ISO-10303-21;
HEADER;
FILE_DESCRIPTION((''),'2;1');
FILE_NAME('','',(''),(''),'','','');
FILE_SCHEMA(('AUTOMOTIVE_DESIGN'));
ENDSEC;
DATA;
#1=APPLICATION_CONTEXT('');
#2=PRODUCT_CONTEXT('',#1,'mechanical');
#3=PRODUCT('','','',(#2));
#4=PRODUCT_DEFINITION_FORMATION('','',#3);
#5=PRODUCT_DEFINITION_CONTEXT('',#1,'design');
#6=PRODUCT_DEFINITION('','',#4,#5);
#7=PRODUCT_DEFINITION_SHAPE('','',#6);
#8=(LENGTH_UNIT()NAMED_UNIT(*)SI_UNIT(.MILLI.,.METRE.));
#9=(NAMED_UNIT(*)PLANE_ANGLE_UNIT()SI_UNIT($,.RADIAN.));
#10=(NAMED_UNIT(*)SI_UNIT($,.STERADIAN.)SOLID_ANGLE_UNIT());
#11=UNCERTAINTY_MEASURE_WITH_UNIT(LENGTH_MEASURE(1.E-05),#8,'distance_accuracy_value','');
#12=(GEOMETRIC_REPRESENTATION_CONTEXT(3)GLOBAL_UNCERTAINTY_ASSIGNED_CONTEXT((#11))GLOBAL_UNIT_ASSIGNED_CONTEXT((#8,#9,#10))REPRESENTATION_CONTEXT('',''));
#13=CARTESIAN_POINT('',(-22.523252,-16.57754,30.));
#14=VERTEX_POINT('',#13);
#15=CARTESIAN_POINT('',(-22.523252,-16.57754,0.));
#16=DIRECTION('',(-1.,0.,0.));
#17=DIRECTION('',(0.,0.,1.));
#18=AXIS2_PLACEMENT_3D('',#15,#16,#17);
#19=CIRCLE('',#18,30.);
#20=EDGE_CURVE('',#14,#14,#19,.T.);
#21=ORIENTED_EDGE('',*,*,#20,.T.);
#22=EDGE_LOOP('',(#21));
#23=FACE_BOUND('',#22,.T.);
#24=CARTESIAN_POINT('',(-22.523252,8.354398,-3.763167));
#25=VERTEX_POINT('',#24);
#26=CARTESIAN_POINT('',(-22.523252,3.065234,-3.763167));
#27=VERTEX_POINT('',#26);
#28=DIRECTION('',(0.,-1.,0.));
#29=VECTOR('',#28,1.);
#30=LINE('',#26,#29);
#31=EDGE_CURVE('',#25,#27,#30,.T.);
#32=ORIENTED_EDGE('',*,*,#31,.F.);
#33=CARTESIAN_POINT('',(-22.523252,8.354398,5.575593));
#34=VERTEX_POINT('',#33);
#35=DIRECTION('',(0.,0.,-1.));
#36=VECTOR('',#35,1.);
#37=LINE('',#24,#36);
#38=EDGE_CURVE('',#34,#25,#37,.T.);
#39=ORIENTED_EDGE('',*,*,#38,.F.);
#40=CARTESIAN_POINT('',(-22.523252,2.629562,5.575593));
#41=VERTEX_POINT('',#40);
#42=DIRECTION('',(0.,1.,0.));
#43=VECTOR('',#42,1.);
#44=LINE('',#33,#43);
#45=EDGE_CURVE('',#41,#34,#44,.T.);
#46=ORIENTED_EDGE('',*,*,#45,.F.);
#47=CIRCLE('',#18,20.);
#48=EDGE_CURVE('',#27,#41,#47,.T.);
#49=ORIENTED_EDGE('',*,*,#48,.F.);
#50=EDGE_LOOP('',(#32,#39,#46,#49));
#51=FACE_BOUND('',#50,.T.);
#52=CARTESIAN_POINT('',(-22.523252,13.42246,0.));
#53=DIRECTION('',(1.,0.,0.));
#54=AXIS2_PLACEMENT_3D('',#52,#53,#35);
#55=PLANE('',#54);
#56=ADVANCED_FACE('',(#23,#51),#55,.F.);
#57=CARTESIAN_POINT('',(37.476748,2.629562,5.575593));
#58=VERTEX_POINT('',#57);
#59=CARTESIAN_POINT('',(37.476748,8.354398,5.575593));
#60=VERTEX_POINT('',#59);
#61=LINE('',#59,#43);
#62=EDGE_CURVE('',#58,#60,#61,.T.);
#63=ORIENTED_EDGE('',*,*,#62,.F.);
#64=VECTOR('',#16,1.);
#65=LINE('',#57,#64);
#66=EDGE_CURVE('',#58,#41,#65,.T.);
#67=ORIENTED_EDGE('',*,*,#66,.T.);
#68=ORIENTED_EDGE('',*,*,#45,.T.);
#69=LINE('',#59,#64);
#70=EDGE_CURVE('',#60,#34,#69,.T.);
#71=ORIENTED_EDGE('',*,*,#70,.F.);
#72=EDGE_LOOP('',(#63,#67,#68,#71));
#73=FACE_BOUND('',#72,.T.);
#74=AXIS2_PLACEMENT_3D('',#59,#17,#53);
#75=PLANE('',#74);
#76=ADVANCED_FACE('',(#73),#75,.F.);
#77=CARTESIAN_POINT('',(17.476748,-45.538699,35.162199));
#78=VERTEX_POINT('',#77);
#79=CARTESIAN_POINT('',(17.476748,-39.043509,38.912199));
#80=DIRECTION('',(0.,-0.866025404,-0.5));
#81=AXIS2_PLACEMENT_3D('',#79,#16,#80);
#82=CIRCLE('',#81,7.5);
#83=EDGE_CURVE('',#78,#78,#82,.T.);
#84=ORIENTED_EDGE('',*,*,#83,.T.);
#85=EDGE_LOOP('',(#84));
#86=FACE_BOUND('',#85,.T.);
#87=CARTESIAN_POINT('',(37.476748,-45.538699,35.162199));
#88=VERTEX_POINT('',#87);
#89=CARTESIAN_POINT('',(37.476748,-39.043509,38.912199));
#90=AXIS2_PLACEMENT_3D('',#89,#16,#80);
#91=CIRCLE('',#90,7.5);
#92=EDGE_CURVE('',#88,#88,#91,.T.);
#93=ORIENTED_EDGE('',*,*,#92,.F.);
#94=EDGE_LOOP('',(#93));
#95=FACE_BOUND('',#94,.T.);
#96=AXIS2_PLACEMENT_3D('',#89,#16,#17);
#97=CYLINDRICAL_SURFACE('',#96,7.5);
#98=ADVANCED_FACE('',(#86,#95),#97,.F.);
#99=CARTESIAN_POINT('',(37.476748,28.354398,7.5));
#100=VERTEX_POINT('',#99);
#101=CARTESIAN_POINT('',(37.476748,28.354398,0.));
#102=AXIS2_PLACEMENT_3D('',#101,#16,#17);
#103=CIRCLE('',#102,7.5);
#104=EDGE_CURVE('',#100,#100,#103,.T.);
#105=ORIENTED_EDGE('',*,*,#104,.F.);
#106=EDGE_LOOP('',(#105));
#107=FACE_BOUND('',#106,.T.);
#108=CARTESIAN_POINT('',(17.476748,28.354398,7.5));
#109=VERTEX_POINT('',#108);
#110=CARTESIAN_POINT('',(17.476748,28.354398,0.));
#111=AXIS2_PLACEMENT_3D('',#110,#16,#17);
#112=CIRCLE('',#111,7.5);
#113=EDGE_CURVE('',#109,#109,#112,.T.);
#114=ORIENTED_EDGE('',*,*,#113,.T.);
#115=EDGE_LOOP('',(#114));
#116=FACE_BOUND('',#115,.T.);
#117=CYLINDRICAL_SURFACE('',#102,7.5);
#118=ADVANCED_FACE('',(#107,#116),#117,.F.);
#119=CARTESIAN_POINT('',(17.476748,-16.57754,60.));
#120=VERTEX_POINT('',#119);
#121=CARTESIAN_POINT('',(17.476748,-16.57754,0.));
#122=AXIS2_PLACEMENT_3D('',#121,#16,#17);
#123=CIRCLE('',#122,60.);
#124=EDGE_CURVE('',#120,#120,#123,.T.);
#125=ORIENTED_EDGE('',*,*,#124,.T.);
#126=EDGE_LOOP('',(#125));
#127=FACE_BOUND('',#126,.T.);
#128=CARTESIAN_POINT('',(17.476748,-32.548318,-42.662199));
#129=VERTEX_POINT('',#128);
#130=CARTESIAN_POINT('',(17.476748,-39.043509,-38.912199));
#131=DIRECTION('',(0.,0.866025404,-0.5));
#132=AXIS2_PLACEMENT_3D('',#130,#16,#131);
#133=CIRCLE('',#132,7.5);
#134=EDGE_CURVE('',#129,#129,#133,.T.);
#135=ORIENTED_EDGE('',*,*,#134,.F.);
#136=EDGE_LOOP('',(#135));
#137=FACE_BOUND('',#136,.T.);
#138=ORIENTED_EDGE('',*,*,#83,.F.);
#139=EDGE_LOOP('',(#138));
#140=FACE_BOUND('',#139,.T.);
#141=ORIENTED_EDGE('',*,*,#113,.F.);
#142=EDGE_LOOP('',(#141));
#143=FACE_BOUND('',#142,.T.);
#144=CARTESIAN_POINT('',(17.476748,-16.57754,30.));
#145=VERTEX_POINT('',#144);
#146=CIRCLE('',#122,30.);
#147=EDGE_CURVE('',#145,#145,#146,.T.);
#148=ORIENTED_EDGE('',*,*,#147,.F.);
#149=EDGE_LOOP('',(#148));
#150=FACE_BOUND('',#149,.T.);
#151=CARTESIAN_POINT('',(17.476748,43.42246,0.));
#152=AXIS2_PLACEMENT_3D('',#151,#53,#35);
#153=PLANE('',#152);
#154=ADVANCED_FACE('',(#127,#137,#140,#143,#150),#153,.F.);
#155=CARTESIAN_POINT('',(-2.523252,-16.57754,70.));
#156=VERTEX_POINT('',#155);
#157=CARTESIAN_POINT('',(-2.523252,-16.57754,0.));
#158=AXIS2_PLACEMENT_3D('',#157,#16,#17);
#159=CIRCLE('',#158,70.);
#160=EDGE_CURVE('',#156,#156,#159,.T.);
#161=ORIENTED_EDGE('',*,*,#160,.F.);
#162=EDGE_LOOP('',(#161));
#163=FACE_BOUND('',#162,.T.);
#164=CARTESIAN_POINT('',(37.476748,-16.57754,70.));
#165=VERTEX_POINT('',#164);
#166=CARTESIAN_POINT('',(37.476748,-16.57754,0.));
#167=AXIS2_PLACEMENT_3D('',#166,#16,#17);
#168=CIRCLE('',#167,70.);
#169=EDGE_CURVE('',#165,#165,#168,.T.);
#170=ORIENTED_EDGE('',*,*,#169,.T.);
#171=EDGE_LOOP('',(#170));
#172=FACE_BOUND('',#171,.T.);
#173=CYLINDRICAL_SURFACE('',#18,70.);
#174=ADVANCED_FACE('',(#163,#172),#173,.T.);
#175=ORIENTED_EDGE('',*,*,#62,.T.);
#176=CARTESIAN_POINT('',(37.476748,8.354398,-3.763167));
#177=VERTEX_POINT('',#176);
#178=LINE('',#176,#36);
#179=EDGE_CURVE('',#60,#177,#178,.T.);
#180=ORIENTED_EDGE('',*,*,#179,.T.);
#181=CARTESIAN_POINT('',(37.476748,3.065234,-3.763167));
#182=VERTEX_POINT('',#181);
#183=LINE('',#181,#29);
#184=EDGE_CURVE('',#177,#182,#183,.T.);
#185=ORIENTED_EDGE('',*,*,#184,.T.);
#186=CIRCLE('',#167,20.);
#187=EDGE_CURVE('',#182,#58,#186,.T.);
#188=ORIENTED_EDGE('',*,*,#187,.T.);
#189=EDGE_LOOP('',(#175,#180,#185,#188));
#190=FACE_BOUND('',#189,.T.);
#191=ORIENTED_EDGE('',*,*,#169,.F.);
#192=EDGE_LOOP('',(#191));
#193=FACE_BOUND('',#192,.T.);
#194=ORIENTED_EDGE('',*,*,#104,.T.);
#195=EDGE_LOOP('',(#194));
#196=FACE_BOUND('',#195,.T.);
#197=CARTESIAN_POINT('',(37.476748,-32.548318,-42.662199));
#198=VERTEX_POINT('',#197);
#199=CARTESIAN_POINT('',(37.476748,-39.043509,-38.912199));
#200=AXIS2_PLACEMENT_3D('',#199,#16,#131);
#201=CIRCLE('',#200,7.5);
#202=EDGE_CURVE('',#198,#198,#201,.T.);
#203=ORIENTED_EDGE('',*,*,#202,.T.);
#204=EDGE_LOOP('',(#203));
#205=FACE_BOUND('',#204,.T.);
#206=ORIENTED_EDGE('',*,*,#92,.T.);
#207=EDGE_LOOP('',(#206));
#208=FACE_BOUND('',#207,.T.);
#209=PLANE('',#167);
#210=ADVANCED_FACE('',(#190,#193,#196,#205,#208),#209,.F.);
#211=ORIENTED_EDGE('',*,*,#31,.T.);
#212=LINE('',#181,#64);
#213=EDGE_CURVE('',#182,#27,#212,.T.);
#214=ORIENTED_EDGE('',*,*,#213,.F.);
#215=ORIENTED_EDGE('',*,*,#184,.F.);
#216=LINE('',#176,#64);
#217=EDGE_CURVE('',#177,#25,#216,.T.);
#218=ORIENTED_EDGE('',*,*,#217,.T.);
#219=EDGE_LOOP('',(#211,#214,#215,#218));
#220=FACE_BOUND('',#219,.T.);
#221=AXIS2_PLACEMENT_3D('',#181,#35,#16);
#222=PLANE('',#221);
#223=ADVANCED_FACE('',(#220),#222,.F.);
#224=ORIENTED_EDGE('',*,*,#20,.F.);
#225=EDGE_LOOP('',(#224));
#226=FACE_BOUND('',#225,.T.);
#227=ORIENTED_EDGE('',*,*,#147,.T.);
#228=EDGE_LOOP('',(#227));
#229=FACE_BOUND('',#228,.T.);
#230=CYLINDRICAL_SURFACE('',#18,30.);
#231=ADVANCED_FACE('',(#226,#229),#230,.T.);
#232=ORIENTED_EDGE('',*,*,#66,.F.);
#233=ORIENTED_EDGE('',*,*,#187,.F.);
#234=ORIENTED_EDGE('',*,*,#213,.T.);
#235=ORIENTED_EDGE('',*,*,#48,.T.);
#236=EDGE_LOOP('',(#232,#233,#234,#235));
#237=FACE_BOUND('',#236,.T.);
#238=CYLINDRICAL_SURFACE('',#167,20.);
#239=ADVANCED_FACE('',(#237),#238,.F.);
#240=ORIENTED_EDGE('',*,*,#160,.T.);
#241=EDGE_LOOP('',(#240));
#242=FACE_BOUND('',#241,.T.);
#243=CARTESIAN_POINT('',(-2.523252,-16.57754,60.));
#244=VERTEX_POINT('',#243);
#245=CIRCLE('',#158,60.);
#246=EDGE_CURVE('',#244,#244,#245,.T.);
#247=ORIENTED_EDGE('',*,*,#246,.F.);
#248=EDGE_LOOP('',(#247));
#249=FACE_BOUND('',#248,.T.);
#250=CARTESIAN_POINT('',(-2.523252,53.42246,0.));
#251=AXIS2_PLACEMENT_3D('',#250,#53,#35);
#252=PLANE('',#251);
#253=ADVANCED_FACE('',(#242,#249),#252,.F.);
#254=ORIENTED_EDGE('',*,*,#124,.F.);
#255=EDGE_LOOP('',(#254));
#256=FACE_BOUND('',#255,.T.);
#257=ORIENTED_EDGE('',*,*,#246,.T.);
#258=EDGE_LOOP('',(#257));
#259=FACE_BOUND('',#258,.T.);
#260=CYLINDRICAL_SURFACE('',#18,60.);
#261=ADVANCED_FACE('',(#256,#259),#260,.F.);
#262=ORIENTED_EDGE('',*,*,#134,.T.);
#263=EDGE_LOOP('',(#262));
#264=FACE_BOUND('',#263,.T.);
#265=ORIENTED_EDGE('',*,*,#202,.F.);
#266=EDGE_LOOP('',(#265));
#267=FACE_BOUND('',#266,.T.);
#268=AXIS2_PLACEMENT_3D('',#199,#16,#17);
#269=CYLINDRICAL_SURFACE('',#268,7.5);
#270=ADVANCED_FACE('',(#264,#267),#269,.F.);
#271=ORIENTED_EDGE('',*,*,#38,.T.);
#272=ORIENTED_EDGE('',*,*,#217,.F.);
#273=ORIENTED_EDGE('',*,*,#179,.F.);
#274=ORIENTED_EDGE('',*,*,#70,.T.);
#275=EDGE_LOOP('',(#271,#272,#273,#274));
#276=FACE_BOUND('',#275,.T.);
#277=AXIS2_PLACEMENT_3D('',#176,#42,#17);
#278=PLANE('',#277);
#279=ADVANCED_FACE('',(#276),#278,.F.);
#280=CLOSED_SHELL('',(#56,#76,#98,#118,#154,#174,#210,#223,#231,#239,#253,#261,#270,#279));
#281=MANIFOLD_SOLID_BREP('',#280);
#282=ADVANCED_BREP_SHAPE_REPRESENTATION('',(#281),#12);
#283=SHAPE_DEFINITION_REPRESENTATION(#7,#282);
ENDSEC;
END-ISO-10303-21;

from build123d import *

# Parameters (mm, degrees)
CUT_EXTRUDE1_DEPTH = 61
SKETCH3_R          = 7.5
CUT_EXTRUDE2_DEPTH = 21
CIRPATTERN1_COUNT  = 3


with BuildPart() as part:
    # Sketch1 → Revolve1 (revolve)
    with BuildSketch(Plane.XY):
        Polygon((-22.523252325, 13.422459893), (-22.523252325, -16.577540107), (37.476747675, -16.577540107), (37.476747675, 53.422459893), (-2.523252325, 53.422459893), (-2.523252325, 43.422459893), (17.476747675, 43.422459893), (17.476747675, 13.422459893), align=None)
    revolve(axis=Axis((-22.523252325, -16.577540107, 0), (1, 0, 0)))

    # Sketch2 → Cut-Extrude1 (cut, through all)
    with BuildSketch(Plane.ZY.offset(22.523252325)):
        with BuildLine():
            Line((-3.763166571, 3.06523407), (-3.763166571, 8.354397525))
            Line((-3.763166571, 8.354397525), (5.575592602, 8.354397525))
            Line((5.575592602, 8.354397525), (5.575592602, 2.62956189))
            ThreePointArc((5.575592602, 2.62956189), (-0.932027141, -36.555811439), (-3.763166571, 3.06523407))
        make_face()
    extrude(amount=-CUT_EXTRUDE1_DEPTH, mode=Mode.SUBTRACT)

    # Sketch3 → Cut-Extrude2 (cut, through all)
    with BuildSketch(Plane.ZY.offset(-17.476747675)):
        with Locations((0, 28.354397525)):
            Circle(SKETCH3_R)
    cut_extrude2 = extrude(amount=-CUT_EXTRUDE2_DEPTH, mode=Mode.SUBTRACT)

    # CirPattern1: Cut-Extrude2 ×3 about axis
    cirpattern1_axis = Axis((0, -16.577540107, 0), (1, 0, 0))
    for i in range(1, CIRPATTERN1_COUNT):
        add(cut_extrude2.rotate(cirpattern1_axis, i * 360 / CIRPATTERN1_COUNT), mode=Mode.SUBTRACT)


solid = part.part
